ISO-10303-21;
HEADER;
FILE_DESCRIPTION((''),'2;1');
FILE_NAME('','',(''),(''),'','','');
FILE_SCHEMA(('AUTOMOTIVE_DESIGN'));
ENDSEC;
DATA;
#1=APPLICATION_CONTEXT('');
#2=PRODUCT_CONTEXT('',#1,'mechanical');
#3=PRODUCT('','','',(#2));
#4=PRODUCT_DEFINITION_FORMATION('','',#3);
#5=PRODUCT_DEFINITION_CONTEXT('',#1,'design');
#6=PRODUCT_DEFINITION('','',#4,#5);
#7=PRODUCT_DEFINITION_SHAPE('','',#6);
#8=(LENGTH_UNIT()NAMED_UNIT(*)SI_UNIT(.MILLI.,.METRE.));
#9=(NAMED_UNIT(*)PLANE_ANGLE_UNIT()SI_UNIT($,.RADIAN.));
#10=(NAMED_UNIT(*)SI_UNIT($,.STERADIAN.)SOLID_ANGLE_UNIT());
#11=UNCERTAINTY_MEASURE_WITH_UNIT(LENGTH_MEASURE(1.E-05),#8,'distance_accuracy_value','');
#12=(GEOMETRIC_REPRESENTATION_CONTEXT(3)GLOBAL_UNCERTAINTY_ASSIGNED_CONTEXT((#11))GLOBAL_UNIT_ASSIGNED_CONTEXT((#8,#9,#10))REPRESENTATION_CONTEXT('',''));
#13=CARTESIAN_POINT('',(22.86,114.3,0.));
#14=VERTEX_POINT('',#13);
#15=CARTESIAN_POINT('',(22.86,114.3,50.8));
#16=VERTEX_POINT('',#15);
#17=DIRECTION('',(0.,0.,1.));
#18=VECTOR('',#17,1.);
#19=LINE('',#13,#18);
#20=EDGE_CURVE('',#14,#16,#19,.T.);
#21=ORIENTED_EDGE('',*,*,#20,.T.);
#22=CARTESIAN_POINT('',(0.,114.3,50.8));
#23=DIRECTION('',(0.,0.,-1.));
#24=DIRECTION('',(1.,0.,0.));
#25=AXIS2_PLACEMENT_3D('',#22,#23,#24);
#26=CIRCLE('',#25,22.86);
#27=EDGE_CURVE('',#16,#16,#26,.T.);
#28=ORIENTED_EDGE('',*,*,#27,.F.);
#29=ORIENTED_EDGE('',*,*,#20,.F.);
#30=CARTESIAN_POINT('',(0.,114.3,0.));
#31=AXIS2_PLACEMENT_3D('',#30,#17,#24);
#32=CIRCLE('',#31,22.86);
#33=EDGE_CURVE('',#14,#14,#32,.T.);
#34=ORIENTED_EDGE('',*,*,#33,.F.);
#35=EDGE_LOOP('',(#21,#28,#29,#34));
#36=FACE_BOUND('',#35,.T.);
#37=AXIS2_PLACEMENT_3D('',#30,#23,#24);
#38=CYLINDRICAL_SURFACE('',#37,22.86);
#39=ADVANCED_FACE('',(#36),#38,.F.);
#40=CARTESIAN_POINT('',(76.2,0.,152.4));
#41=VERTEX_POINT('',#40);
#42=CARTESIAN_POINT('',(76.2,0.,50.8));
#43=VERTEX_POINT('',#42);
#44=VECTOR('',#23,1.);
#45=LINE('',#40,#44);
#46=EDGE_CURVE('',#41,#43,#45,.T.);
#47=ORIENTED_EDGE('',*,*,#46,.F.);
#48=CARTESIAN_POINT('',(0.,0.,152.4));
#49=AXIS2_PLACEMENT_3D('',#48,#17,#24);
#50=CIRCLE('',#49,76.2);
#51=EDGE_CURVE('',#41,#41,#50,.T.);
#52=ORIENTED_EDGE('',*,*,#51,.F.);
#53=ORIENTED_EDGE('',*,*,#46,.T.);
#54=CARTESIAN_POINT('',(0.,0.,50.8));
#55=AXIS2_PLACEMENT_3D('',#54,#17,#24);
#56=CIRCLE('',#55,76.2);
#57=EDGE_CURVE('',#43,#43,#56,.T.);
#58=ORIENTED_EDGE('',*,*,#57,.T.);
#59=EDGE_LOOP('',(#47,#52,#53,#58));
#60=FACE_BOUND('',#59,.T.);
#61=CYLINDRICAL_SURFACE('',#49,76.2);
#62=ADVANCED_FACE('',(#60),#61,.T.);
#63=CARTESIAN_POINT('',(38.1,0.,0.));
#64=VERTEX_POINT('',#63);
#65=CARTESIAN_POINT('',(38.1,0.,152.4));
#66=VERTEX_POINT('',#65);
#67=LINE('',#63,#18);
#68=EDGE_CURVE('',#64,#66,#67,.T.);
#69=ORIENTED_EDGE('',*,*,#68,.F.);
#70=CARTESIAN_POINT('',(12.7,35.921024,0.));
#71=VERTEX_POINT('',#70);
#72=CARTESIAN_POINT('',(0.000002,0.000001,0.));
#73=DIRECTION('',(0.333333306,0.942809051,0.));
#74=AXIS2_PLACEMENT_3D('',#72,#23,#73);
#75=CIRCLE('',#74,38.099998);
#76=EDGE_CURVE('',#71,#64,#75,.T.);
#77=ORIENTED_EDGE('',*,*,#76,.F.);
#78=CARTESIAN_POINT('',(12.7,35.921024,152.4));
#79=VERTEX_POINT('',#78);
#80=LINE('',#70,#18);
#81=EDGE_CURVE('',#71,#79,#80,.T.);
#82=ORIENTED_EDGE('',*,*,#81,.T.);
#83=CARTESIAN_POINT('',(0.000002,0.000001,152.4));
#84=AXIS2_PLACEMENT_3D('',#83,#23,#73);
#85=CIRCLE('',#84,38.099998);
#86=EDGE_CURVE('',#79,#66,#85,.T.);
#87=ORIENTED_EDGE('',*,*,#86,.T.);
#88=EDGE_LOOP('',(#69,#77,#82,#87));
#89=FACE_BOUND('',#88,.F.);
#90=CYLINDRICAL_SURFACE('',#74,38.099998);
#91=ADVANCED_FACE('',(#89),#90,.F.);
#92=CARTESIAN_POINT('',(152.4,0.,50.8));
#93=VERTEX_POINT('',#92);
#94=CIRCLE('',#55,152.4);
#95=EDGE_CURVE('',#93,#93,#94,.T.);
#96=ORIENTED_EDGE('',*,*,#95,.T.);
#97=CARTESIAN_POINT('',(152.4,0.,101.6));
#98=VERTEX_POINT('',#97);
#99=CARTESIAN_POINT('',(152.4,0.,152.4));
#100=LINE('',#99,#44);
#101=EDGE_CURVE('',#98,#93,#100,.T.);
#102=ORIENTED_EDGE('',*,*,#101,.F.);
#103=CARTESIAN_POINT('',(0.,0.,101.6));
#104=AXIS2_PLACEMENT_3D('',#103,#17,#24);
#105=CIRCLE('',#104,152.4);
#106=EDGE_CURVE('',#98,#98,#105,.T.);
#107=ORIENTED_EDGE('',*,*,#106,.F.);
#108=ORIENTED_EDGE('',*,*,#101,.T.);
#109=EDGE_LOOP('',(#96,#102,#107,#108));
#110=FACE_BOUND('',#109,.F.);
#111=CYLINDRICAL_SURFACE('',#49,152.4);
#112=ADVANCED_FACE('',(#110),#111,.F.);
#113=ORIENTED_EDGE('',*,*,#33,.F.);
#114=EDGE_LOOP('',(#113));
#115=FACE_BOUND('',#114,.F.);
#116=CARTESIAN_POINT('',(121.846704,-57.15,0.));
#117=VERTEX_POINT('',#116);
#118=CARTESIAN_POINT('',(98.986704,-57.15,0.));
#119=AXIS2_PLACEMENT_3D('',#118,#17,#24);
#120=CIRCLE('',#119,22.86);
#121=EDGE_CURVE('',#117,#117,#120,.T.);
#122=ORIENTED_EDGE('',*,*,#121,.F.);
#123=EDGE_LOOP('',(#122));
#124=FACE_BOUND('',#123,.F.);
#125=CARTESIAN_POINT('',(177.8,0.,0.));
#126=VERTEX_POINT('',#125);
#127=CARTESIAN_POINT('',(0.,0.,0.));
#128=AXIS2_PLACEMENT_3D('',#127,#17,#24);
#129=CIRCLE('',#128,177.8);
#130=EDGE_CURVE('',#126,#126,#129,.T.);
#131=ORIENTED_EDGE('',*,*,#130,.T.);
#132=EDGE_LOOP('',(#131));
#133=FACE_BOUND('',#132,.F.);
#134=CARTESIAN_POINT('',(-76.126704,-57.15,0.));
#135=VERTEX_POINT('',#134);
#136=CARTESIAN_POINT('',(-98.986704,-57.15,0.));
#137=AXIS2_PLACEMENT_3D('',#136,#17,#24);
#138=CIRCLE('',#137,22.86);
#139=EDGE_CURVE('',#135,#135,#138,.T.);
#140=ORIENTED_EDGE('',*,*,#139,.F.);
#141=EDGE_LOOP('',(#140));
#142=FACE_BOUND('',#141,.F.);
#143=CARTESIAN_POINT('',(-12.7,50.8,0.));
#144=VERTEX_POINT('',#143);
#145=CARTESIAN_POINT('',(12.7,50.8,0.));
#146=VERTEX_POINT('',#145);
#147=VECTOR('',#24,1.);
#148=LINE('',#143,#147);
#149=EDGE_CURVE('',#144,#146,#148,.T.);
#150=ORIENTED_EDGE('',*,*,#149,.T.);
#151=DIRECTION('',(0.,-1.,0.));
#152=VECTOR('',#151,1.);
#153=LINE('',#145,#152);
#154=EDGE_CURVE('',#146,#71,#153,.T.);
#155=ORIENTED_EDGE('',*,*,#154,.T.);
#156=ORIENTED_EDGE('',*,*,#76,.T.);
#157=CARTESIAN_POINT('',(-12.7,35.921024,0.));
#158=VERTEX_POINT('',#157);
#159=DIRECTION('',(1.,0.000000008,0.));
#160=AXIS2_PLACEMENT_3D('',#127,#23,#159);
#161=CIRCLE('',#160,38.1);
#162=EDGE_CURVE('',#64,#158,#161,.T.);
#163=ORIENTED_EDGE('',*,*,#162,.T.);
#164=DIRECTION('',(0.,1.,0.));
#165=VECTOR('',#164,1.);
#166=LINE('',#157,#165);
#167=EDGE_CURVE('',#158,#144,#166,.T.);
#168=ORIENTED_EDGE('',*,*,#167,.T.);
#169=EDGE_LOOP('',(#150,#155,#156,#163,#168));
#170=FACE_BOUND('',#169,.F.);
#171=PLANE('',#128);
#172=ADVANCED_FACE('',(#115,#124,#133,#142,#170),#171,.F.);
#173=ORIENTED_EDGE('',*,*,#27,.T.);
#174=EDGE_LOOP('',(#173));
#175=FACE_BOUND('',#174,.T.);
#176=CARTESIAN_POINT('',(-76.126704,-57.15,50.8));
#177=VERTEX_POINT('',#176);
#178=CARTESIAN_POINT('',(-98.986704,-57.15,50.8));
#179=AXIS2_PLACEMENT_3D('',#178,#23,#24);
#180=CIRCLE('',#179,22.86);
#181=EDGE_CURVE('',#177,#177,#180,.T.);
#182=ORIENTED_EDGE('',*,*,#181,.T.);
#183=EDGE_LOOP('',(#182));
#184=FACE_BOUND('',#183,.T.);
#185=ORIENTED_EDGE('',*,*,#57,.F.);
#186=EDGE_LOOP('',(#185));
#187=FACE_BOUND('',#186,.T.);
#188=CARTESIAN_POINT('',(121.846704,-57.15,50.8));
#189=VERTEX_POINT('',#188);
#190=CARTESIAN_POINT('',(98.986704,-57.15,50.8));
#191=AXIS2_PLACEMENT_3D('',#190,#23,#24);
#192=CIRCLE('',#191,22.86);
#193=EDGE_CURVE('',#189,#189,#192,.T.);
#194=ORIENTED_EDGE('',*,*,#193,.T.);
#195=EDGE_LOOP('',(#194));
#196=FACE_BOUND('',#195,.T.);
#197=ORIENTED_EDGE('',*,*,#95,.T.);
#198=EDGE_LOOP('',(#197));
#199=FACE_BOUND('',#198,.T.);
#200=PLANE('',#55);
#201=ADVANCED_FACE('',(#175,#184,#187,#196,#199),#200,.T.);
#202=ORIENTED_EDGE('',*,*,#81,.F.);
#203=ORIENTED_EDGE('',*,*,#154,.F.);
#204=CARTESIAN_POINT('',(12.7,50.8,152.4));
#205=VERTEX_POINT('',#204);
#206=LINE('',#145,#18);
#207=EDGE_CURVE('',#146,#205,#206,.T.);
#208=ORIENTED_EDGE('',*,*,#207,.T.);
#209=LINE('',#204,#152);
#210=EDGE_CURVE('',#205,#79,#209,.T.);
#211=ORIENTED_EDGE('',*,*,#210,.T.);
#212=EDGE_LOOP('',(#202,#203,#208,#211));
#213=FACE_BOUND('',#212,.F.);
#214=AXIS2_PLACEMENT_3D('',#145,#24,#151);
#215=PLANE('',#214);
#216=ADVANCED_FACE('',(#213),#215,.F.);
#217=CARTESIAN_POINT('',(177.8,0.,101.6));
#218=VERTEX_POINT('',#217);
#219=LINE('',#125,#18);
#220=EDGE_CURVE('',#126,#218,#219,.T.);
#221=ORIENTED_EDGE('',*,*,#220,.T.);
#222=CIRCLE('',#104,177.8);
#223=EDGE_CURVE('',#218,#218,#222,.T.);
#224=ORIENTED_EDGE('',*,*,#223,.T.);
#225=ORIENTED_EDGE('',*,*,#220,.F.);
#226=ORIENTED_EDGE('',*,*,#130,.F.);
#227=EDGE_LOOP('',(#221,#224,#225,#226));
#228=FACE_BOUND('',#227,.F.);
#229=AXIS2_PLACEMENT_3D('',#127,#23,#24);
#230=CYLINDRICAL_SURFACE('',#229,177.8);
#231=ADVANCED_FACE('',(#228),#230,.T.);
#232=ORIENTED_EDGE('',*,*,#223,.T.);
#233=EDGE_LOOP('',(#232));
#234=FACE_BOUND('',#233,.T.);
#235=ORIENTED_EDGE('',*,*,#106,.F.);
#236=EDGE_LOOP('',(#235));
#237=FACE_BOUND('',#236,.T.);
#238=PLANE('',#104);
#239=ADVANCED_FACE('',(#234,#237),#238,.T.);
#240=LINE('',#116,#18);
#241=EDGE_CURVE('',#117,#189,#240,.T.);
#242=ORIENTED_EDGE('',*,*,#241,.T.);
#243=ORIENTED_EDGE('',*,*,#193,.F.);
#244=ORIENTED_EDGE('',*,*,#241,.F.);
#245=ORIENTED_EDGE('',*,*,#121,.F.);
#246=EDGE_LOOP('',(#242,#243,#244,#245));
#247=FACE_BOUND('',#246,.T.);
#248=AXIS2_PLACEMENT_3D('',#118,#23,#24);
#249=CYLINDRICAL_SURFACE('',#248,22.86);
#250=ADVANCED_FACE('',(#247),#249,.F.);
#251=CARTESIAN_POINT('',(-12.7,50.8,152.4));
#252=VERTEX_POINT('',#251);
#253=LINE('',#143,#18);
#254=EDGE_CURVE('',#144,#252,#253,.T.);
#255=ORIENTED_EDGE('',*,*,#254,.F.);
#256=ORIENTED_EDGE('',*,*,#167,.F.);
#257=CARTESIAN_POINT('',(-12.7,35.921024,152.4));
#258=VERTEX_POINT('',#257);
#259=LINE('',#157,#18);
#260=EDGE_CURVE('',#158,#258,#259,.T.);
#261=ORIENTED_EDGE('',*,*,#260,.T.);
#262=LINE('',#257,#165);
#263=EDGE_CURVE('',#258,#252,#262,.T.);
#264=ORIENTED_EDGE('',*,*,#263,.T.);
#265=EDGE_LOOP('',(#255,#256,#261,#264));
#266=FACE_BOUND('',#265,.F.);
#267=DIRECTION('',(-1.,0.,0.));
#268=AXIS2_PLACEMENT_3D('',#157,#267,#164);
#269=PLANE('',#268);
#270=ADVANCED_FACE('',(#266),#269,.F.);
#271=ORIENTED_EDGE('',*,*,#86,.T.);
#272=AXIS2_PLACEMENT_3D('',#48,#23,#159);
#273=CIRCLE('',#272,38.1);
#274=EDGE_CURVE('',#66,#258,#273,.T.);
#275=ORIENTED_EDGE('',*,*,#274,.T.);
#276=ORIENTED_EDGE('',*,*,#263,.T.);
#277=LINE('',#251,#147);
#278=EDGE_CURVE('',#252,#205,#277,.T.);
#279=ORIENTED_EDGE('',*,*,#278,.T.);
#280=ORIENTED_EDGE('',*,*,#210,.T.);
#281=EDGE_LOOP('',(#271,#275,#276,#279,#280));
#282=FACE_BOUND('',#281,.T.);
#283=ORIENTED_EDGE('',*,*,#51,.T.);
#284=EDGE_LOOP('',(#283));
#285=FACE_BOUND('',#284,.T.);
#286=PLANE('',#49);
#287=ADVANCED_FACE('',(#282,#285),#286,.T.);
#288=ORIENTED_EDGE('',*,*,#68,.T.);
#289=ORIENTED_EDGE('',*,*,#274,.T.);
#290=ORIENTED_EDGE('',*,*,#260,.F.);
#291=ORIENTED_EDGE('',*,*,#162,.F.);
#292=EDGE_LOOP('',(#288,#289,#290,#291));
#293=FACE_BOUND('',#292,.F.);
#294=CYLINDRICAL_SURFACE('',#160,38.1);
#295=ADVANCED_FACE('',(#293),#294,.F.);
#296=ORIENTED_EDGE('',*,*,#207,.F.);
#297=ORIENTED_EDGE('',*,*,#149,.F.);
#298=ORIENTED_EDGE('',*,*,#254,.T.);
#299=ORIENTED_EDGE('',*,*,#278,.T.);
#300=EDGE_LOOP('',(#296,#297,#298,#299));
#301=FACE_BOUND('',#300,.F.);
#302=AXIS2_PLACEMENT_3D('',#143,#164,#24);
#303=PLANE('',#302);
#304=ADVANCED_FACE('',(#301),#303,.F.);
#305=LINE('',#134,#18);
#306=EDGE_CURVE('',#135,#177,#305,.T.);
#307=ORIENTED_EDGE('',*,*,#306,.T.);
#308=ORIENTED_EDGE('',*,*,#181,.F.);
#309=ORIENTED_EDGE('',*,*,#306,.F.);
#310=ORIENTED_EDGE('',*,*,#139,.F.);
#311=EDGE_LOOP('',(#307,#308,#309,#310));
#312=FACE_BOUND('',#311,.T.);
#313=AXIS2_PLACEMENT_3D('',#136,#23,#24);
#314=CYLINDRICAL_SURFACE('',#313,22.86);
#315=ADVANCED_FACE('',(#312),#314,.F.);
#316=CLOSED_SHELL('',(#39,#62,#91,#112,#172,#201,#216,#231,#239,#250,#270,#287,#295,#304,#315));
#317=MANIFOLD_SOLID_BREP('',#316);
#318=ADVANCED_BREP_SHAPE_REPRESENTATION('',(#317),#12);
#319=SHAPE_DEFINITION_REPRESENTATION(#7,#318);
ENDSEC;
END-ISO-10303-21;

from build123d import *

# Parameters (mm, degrees)
F0_R     = 177.8
F0_R_2   = 22.86
F1_DEPTH = 152.4
F2_R     = 152.4
F2_R_2   = 76.2
F3_DEPTH = 101.6
F4_R     = 177.8
F4_R_2   = 152.4
F5_DEPTH = 50.8


with BuildPart() as f1:
    # F0 (on Top) → F1 (new body)
    with BuildSketch(Plane.XY):
        Circle(F0_R)
        with Locations((-98.986704, -57.15)):
            Circle(F0_R_2, mode=Mode.SUBTRACT)
        with Locations((98.986704, -57.15)):
            Circle(F0_R_2, mode=Mode.SUBTRACT)
        with BuildLine():
            ThreePointArc((12.7, 35.921024), (31.10852, 21.997045), (38.1, 0))
            ThreePointArc((38.1, 0), (-21.997045, -31.10852), (-12.7, 35.921024))
            Line((-12.7, 35.921024), (-12.7, 50.8))
            Line((-12.7, 50.8), (12.7, 50.8))
            Line((12.7, 50.8), (12.7, 35.921024))
        make_face(mode=Mode.SUBTRACT)
        with Locations((0, 114.3)):
            Circle(F0_R_2, mode=Mode.SUBTRACT)
    extrude(amount=F1_DEPTH)

    # F2 (on face) → F3 (cut)
    with BuildSketch(Plane.XY.offset(152.4)):
        Circle(F2_R)
        Circle(F2_R_2, mode=Mode.SUBTRACT)
    extrude(amount=-F3_DEPTH, mode=Mode.SUBTRACT)

    # F4 (on face) → F5 (cut)
    with BuildSketch(Plane.XY.offset(152.4)):
        Circle(F4_R)
        Circle(F4_R_2, mode=Mode.SUBTRACT)
    extrude(amount=-F5_DEPTH, mode=Mode.SUBTRACT)


solid = f1.part
